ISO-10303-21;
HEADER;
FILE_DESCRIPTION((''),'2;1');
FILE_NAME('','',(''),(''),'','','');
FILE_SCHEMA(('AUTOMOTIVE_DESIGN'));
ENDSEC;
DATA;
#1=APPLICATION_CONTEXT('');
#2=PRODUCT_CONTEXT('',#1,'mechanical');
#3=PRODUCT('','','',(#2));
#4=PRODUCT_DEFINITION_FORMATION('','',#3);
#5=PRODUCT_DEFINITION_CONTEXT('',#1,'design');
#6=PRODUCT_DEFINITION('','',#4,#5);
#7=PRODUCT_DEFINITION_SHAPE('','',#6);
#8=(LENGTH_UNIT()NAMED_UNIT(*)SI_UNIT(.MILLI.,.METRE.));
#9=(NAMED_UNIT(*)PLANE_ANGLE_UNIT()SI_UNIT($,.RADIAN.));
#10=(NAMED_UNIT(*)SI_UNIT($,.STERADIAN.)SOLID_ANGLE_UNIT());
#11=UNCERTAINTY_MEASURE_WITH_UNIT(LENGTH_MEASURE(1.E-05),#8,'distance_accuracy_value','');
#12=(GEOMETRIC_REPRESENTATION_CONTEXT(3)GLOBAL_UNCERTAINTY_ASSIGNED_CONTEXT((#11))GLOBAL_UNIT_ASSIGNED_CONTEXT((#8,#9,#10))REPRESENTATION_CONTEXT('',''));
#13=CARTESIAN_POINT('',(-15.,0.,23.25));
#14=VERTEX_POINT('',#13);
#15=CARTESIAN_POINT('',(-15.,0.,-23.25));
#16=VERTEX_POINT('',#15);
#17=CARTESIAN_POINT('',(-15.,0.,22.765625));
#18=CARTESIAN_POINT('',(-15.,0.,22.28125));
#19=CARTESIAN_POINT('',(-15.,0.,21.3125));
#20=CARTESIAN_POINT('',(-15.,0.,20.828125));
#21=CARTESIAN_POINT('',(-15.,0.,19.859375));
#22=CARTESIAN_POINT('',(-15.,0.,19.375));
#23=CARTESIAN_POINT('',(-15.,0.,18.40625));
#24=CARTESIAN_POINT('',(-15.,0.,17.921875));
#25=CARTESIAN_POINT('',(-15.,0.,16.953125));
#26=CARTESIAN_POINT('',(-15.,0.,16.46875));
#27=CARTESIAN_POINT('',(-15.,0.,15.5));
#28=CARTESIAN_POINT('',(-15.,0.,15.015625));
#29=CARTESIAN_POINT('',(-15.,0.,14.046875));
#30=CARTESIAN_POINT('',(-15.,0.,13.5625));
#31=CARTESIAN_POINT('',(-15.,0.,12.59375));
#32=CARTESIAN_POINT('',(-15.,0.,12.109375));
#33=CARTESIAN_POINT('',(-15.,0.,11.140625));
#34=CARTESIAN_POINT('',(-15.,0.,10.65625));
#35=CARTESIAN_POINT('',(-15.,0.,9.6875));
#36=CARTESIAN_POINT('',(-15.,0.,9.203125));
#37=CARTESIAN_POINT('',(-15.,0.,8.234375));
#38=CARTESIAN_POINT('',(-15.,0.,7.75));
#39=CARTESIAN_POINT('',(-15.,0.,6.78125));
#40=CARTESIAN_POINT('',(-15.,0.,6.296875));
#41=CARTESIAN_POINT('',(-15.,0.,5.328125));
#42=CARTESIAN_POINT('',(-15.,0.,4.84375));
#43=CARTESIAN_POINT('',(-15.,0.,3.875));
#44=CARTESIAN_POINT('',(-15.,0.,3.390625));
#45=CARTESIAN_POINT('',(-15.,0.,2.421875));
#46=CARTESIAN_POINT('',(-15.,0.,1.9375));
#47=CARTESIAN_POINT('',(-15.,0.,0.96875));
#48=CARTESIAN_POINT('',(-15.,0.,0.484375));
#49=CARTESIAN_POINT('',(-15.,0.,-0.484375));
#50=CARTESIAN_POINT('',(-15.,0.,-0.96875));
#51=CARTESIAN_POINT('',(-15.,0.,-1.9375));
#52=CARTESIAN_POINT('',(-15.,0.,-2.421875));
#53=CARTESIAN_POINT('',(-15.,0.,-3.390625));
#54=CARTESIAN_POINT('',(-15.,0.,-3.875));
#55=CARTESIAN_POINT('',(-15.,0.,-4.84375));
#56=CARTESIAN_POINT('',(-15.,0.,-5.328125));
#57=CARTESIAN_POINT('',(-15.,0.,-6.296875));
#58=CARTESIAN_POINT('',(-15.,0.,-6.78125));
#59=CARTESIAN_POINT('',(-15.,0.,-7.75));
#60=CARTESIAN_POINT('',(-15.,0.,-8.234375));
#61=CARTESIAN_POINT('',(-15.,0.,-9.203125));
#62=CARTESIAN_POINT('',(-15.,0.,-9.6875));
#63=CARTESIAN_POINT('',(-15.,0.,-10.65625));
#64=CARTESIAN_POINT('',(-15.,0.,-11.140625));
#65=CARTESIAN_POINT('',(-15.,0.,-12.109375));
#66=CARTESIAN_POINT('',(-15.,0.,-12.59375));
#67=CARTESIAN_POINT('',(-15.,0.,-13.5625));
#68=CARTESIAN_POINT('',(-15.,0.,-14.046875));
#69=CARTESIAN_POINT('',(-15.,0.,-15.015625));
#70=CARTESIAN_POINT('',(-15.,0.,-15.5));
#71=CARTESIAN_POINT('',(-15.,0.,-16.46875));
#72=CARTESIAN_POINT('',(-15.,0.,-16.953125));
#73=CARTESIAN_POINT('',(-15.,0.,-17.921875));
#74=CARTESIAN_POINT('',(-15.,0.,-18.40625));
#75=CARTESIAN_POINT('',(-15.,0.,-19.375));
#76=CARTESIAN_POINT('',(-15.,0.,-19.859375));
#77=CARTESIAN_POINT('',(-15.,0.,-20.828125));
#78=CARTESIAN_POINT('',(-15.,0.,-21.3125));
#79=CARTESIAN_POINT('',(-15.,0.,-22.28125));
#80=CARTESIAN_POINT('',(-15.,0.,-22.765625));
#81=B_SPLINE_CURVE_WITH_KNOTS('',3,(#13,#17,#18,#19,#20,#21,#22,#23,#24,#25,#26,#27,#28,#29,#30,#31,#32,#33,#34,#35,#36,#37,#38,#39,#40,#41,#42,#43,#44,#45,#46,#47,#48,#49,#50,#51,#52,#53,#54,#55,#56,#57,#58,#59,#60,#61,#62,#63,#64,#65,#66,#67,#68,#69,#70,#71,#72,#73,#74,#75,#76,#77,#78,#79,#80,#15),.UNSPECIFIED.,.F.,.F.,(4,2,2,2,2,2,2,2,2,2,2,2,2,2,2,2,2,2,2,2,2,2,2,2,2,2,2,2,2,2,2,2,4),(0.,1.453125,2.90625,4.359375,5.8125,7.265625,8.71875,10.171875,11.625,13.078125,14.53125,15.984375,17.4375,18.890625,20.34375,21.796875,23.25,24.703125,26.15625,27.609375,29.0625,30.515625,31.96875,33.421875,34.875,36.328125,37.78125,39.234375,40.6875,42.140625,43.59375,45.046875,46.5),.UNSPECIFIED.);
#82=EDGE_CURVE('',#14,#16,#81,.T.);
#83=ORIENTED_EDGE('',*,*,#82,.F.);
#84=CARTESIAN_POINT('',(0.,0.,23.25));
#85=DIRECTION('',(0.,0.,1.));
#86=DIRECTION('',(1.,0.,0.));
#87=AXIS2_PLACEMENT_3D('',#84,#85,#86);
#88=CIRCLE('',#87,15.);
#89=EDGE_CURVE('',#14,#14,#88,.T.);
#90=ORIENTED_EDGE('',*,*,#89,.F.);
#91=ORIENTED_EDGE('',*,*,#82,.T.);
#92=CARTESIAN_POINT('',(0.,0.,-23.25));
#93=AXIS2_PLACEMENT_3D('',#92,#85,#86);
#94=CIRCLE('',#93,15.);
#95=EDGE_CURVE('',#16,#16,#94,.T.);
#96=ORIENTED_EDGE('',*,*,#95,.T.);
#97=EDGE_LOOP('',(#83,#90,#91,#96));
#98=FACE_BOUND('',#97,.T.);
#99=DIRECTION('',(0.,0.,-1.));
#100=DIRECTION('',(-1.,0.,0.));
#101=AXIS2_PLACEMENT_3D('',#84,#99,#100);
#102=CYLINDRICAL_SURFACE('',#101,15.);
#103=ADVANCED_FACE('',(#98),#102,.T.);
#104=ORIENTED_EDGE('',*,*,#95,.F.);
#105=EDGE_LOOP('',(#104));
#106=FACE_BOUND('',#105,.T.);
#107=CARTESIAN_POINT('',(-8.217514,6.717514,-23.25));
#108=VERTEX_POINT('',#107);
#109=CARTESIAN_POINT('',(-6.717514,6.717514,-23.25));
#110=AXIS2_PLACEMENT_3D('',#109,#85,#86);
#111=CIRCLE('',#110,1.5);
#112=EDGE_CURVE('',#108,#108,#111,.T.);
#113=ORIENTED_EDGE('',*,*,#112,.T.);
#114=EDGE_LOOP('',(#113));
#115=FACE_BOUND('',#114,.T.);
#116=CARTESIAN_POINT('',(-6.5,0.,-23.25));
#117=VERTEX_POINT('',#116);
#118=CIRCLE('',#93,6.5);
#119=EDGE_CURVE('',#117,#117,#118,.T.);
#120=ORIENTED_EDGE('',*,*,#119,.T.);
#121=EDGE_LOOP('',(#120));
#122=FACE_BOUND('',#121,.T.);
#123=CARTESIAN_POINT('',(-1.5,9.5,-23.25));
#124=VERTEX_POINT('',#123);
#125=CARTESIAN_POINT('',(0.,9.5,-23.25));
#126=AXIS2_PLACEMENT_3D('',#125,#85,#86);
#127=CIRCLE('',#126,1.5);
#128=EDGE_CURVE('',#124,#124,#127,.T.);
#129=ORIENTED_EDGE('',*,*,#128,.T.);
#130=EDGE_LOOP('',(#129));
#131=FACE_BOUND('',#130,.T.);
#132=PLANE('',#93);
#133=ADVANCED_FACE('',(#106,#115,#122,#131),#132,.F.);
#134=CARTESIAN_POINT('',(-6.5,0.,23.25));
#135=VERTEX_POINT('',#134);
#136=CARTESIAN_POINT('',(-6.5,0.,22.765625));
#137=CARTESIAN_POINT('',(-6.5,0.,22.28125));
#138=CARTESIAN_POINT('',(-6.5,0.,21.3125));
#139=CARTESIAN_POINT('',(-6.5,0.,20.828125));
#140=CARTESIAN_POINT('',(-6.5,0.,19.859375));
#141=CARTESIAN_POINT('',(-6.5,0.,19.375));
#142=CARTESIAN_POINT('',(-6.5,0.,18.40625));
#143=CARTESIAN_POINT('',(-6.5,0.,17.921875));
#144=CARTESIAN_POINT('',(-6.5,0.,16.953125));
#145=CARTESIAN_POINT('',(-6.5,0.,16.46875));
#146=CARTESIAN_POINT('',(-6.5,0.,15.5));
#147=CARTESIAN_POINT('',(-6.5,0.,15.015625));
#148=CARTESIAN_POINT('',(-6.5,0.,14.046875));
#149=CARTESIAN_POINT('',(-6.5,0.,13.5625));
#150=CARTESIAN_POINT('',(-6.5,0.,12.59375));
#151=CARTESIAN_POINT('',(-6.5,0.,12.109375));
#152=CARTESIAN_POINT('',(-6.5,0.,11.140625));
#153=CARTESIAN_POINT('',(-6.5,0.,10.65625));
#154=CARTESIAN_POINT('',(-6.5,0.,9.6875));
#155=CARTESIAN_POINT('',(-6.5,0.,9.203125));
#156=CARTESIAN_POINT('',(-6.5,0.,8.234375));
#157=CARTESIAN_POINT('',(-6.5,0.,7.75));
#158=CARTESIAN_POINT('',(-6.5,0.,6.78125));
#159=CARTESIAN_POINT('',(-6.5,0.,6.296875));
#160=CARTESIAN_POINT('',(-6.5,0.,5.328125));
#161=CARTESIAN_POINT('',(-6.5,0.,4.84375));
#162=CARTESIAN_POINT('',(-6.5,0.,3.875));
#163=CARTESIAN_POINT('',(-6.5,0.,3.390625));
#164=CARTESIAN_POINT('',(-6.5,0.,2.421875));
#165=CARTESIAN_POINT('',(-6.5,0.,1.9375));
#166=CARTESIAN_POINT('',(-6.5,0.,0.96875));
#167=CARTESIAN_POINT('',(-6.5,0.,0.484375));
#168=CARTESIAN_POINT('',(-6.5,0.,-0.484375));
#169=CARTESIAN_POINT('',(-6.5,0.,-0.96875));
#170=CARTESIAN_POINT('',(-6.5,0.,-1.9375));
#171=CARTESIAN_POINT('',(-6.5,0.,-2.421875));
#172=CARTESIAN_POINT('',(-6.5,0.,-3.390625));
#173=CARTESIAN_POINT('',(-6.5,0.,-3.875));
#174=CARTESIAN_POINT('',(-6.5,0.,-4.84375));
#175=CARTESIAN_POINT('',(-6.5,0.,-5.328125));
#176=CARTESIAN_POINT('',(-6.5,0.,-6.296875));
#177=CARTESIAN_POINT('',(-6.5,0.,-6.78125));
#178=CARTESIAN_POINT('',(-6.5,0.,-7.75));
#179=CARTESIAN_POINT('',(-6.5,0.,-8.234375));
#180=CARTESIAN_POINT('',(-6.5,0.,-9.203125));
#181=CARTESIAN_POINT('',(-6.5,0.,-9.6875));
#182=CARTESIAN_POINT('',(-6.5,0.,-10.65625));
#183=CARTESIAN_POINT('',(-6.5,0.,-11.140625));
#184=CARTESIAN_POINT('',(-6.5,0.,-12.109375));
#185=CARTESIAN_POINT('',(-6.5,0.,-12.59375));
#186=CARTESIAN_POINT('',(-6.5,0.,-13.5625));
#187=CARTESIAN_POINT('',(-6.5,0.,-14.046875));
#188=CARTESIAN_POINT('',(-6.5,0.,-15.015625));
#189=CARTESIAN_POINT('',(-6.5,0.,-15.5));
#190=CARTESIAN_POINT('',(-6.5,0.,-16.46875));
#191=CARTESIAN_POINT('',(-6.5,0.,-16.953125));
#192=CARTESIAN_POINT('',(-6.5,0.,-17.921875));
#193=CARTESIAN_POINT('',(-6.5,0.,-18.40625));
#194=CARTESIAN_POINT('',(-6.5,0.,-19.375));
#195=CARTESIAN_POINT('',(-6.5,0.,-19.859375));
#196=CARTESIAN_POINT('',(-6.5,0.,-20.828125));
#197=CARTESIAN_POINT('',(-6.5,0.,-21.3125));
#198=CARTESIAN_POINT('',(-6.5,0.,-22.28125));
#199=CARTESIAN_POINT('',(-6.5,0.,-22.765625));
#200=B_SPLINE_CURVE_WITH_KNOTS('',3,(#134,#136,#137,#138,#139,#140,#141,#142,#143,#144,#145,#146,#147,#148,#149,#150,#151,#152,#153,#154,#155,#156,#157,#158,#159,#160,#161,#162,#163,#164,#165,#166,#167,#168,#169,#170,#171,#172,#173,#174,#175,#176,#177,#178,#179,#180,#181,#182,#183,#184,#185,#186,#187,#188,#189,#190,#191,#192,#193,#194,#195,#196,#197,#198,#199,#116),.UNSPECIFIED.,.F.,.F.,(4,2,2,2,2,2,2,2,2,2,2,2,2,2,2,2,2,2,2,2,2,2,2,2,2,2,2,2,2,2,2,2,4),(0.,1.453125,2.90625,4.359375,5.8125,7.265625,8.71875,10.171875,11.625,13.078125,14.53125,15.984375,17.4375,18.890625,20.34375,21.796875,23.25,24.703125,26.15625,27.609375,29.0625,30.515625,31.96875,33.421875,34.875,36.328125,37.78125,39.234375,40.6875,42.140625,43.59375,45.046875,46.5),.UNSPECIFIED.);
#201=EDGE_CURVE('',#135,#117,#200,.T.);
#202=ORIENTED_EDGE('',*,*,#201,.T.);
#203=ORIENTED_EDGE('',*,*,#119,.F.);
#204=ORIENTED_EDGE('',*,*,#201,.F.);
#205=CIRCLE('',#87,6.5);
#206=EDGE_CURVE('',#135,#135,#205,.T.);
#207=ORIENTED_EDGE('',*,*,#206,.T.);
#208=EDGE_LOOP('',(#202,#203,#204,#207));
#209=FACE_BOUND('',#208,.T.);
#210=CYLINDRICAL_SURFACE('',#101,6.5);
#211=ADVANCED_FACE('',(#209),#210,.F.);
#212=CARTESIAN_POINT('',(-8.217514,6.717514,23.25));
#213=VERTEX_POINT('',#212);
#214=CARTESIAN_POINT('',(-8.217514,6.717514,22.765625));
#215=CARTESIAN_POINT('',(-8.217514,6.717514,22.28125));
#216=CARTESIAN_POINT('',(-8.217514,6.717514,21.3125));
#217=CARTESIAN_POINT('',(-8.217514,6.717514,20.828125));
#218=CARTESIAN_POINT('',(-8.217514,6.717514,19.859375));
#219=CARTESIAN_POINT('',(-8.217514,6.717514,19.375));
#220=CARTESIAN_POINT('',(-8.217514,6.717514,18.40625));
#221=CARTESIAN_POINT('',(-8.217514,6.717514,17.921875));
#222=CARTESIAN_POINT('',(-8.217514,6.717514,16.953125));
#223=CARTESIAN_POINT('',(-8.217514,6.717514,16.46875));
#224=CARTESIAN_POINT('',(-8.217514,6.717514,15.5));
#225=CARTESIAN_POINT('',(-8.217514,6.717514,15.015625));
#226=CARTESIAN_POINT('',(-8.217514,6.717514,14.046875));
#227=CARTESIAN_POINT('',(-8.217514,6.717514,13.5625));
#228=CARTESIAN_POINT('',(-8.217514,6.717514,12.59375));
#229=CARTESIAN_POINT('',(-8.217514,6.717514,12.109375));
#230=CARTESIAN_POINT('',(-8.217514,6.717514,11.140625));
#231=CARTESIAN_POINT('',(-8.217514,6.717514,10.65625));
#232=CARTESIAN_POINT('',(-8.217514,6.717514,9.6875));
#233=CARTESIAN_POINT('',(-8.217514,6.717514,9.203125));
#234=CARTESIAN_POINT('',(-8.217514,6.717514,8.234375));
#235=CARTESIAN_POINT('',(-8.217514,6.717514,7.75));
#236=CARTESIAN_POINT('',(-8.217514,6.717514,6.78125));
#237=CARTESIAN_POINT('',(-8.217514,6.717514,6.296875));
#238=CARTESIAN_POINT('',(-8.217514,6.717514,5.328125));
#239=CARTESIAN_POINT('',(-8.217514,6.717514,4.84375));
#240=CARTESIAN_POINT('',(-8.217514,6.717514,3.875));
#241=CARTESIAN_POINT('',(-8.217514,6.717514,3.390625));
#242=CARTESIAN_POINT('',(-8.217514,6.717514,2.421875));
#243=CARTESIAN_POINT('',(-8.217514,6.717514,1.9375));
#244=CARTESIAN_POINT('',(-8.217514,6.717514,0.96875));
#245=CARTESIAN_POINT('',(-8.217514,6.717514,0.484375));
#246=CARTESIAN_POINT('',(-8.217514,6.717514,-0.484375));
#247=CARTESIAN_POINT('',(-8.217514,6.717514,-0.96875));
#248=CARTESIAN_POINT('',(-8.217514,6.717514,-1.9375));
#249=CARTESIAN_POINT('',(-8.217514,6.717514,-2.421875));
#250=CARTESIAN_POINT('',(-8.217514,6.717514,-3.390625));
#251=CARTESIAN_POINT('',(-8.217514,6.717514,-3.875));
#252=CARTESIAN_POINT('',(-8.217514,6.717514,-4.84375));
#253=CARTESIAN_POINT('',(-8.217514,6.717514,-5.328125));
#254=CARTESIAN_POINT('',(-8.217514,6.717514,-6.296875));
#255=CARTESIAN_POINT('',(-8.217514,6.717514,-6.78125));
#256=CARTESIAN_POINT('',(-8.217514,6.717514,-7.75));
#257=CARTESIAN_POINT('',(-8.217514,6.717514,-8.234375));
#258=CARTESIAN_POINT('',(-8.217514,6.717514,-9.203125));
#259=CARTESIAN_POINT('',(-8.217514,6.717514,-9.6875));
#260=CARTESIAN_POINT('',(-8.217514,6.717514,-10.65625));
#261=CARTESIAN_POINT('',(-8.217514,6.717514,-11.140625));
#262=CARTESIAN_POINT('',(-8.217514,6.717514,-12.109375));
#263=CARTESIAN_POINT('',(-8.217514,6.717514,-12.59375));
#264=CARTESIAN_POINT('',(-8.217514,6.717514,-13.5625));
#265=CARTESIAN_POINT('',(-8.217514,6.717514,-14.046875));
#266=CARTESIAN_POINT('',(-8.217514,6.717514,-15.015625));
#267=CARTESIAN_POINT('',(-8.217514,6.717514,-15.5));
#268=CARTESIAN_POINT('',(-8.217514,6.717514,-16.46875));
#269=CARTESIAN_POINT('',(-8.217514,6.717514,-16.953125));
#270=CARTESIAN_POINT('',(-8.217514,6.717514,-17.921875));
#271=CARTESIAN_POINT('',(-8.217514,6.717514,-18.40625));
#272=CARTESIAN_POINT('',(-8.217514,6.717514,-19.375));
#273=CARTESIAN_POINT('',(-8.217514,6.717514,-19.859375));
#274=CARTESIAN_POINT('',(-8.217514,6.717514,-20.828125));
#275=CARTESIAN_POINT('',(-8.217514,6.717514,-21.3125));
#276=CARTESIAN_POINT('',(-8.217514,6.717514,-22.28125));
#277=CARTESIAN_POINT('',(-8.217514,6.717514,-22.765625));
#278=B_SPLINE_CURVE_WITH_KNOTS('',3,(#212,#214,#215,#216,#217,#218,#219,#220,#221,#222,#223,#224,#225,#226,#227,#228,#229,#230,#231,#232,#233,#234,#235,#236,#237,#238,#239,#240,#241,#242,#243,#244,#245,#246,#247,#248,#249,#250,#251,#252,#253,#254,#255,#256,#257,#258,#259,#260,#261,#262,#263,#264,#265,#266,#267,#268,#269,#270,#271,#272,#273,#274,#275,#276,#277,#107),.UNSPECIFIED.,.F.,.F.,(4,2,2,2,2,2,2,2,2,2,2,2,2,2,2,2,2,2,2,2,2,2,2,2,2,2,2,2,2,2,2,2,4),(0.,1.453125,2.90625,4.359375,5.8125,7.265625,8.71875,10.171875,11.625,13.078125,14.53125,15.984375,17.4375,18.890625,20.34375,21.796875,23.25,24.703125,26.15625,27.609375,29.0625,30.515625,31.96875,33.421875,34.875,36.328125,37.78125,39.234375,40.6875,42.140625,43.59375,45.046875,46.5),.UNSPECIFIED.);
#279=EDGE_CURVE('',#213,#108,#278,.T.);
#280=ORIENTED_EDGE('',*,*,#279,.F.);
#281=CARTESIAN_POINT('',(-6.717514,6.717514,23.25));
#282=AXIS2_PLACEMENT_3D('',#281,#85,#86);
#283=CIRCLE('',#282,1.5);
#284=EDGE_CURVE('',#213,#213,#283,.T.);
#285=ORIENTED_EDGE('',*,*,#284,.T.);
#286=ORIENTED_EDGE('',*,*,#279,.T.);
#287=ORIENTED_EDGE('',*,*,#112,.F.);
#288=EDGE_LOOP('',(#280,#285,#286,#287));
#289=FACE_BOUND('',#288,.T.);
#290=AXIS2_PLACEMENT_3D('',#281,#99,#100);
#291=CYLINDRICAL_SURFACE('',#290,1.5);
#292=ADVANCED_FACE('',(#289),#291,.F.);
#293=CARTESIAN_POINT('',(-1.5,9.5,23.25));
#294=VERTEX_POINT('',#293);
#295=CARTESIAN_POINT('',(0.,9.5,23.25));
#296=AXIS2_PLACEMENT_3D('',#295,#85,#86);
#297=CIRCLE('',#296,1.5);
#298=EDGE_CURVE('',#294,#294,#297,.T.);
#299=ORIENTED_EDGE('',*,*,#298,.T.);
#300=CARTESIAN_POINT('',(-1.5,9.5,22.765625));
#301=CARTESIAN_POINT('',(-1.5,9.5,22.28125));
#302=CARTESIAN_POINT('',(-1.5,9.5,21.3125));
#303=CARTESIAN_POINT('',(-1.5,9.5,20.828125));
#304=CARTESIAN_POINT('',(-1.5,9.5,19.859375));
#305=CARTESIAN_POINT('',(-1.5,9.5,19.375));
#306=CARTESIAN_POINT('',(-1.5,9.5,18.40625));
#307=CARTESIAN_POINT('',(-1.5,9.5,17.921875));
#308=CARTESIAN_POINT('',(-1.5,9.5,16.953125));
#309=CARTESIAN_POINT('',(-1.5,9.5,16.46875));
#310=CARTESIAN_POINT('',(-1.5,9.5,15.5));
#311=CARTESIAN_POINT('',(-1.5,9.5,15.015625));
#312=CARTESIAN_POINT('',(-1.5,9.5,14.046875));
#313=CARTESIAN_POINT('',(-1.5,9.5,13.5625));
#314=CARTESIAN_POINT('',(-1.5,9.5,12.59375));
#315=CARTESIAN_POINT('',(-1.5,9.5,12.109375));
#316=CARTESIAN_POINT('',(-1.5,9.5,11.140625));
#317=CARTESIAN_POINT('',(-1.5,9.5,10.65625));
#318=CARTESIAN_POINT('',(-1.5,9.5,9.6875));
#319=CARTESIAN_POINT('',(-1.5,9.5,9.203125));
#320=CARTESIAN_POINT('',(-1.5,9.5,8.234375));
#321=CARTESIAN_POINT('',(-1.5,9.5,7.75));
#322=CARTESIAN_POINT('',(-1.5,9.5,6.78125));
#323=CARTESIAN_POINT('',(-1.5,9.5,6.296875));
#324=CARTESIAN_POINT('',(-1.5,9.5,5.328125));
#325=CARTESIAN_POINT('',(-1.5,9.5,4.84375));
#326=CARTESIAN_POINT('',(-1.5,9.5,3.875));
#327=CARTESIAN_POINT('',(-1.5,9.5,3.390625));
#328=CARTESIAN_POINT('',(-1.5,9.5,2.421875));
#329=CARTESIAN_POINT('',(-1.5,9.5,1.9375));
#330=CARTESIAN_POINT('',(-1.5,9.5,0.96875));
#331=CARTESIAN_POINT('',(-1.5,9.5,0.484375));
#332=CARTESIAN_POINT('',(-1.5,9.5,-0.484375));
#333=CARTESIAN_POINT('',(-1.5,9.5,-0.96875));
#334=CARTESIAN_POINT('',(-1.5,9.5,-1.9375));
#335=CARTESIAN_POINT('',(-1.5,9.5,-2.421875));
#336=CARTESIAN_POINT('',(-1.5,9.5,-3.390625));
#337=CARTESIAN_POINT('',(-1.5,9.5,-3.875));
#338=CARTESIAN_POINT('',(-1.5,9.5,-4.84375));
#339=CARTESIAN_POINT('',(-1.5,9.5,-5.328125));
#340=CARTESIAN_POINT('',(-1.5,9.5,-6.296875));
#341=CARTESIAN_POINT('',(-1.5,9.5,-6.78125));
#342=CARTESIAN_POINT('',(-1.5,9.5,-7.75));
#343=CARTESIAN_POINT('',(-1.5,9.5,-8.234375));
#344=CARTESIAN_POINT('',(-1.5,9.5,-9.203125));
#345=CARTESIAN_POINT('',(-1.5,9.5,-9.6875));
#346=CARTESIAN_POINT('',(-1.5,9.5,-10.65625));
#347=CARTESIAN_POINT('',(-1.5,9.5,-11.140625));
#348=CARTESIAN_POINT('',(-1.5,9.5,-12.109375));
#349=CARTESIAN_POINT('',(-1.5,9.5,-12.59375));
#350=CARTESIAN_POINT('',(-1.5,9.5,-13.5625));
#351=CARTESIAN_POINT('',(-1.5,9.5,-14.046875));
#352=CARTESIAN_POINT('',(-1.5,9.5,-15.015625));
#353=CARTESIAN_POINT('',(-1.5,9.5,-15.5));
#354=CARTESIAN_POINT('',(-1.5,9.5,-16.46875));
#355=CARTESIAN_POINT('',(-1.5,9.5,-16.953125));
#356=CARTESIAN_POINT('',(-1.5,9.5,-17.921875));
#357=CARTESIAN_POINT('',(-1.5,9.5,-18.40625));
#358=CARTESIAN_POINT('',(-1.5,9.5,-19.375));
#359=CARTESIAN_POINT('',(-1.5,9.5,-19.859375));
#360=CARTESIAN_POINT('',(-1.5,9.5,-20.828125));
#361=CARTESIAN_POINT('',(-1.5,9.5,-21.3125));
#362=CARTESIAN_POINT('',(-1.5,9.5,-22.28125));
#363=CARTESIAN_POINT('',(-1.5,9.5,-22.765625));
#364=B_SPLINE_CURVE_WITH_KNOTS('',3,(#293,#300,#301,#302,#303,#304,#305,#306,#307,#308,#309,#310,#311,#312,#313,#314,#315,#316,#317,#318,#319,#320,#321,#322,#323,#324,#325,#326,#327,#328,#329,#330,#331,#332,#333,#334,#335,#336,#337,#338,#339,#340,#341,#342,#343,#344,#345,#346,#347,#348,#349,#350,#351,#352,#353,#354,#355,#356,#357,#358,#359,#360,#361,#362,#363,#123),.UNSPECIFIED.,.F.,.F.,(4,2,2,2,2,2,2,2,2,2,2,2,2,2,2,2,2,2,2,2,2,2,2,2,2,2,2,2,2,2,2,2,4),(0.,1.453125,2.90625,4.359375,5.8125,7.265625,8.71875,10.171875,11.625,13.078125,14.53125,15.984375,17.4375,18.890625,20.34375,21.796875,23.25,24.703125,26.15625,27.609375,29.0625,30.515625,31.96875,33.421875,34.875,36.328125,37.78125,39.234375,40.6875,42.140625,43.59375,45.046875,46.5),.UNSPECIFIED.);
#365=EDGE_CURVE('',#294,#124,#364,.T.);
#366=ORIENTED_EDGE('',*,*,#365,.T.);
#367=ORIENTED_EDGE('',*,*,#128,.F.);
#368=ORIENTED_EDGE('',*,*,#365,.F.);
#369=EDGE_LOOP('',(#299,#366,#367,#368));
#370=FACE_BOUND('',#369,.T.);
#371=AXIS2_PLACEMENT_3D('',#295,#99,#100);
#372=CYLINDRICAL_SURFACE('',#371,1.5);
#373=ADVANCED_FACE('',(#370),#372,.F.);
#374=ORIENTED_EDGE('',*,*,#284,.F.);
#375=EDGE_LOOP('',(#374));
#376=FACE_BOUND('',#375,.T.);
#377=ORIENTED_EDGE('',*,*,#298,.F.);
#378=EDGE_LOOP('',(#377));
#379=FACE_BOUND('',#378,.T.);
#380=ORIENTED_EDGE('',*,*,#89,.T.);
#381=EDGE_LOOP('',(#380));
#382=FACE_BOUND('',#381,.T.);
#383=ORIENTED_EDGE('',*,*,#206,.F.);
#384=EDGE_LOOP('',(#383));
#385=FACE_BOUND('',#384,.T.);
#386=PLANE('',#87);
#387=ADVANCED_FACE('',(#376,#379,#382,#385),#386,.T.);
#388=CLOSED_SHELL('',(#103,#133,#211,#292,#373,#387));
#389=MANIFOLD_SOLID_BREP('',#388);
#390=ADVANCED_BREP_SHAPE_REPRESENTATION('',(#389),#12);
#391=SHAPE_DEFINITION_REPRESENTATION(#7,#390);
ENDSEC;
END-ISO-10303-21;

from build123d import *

# Parameters (mm, degrees)
SKETCH1_R           = 15
SKETCH1_R_2         = 6.5
SKETCH1_R_3         = 1.5
BOSS_EXTRUDE1_DEPTH = 23.25


with BuildPart() as part:
    # Sketch1 → Boss-Extrude1 (new, symmetric)
    with BuildSketch(Plane.XY):
        with Locations(Location((0, 0, 0), (0, 0, 180))):
            Circle(SKETCH1_R)
        with Locations(Location((0, 0, 0), (0, 0, 180))):
            Circle(SKETCH1_R_2, mode=Mode.SUBTRACT)
        with Locations(Location((0, 9.5, 0), (0, 0, 180))):
            Circle(SKETCH1_R_3, mode=Mode.SUBTRACT)
        with Locations(Location((-6.717514421, 6.717514421, 0), (0, 0, 180))):
            Circle(SKETCH1_R_3, mode=Mode.SUBTRACT)
    extrude(amount=BOSS_EXTRUDE1_DEPTH, both=True)


solid = part.part
